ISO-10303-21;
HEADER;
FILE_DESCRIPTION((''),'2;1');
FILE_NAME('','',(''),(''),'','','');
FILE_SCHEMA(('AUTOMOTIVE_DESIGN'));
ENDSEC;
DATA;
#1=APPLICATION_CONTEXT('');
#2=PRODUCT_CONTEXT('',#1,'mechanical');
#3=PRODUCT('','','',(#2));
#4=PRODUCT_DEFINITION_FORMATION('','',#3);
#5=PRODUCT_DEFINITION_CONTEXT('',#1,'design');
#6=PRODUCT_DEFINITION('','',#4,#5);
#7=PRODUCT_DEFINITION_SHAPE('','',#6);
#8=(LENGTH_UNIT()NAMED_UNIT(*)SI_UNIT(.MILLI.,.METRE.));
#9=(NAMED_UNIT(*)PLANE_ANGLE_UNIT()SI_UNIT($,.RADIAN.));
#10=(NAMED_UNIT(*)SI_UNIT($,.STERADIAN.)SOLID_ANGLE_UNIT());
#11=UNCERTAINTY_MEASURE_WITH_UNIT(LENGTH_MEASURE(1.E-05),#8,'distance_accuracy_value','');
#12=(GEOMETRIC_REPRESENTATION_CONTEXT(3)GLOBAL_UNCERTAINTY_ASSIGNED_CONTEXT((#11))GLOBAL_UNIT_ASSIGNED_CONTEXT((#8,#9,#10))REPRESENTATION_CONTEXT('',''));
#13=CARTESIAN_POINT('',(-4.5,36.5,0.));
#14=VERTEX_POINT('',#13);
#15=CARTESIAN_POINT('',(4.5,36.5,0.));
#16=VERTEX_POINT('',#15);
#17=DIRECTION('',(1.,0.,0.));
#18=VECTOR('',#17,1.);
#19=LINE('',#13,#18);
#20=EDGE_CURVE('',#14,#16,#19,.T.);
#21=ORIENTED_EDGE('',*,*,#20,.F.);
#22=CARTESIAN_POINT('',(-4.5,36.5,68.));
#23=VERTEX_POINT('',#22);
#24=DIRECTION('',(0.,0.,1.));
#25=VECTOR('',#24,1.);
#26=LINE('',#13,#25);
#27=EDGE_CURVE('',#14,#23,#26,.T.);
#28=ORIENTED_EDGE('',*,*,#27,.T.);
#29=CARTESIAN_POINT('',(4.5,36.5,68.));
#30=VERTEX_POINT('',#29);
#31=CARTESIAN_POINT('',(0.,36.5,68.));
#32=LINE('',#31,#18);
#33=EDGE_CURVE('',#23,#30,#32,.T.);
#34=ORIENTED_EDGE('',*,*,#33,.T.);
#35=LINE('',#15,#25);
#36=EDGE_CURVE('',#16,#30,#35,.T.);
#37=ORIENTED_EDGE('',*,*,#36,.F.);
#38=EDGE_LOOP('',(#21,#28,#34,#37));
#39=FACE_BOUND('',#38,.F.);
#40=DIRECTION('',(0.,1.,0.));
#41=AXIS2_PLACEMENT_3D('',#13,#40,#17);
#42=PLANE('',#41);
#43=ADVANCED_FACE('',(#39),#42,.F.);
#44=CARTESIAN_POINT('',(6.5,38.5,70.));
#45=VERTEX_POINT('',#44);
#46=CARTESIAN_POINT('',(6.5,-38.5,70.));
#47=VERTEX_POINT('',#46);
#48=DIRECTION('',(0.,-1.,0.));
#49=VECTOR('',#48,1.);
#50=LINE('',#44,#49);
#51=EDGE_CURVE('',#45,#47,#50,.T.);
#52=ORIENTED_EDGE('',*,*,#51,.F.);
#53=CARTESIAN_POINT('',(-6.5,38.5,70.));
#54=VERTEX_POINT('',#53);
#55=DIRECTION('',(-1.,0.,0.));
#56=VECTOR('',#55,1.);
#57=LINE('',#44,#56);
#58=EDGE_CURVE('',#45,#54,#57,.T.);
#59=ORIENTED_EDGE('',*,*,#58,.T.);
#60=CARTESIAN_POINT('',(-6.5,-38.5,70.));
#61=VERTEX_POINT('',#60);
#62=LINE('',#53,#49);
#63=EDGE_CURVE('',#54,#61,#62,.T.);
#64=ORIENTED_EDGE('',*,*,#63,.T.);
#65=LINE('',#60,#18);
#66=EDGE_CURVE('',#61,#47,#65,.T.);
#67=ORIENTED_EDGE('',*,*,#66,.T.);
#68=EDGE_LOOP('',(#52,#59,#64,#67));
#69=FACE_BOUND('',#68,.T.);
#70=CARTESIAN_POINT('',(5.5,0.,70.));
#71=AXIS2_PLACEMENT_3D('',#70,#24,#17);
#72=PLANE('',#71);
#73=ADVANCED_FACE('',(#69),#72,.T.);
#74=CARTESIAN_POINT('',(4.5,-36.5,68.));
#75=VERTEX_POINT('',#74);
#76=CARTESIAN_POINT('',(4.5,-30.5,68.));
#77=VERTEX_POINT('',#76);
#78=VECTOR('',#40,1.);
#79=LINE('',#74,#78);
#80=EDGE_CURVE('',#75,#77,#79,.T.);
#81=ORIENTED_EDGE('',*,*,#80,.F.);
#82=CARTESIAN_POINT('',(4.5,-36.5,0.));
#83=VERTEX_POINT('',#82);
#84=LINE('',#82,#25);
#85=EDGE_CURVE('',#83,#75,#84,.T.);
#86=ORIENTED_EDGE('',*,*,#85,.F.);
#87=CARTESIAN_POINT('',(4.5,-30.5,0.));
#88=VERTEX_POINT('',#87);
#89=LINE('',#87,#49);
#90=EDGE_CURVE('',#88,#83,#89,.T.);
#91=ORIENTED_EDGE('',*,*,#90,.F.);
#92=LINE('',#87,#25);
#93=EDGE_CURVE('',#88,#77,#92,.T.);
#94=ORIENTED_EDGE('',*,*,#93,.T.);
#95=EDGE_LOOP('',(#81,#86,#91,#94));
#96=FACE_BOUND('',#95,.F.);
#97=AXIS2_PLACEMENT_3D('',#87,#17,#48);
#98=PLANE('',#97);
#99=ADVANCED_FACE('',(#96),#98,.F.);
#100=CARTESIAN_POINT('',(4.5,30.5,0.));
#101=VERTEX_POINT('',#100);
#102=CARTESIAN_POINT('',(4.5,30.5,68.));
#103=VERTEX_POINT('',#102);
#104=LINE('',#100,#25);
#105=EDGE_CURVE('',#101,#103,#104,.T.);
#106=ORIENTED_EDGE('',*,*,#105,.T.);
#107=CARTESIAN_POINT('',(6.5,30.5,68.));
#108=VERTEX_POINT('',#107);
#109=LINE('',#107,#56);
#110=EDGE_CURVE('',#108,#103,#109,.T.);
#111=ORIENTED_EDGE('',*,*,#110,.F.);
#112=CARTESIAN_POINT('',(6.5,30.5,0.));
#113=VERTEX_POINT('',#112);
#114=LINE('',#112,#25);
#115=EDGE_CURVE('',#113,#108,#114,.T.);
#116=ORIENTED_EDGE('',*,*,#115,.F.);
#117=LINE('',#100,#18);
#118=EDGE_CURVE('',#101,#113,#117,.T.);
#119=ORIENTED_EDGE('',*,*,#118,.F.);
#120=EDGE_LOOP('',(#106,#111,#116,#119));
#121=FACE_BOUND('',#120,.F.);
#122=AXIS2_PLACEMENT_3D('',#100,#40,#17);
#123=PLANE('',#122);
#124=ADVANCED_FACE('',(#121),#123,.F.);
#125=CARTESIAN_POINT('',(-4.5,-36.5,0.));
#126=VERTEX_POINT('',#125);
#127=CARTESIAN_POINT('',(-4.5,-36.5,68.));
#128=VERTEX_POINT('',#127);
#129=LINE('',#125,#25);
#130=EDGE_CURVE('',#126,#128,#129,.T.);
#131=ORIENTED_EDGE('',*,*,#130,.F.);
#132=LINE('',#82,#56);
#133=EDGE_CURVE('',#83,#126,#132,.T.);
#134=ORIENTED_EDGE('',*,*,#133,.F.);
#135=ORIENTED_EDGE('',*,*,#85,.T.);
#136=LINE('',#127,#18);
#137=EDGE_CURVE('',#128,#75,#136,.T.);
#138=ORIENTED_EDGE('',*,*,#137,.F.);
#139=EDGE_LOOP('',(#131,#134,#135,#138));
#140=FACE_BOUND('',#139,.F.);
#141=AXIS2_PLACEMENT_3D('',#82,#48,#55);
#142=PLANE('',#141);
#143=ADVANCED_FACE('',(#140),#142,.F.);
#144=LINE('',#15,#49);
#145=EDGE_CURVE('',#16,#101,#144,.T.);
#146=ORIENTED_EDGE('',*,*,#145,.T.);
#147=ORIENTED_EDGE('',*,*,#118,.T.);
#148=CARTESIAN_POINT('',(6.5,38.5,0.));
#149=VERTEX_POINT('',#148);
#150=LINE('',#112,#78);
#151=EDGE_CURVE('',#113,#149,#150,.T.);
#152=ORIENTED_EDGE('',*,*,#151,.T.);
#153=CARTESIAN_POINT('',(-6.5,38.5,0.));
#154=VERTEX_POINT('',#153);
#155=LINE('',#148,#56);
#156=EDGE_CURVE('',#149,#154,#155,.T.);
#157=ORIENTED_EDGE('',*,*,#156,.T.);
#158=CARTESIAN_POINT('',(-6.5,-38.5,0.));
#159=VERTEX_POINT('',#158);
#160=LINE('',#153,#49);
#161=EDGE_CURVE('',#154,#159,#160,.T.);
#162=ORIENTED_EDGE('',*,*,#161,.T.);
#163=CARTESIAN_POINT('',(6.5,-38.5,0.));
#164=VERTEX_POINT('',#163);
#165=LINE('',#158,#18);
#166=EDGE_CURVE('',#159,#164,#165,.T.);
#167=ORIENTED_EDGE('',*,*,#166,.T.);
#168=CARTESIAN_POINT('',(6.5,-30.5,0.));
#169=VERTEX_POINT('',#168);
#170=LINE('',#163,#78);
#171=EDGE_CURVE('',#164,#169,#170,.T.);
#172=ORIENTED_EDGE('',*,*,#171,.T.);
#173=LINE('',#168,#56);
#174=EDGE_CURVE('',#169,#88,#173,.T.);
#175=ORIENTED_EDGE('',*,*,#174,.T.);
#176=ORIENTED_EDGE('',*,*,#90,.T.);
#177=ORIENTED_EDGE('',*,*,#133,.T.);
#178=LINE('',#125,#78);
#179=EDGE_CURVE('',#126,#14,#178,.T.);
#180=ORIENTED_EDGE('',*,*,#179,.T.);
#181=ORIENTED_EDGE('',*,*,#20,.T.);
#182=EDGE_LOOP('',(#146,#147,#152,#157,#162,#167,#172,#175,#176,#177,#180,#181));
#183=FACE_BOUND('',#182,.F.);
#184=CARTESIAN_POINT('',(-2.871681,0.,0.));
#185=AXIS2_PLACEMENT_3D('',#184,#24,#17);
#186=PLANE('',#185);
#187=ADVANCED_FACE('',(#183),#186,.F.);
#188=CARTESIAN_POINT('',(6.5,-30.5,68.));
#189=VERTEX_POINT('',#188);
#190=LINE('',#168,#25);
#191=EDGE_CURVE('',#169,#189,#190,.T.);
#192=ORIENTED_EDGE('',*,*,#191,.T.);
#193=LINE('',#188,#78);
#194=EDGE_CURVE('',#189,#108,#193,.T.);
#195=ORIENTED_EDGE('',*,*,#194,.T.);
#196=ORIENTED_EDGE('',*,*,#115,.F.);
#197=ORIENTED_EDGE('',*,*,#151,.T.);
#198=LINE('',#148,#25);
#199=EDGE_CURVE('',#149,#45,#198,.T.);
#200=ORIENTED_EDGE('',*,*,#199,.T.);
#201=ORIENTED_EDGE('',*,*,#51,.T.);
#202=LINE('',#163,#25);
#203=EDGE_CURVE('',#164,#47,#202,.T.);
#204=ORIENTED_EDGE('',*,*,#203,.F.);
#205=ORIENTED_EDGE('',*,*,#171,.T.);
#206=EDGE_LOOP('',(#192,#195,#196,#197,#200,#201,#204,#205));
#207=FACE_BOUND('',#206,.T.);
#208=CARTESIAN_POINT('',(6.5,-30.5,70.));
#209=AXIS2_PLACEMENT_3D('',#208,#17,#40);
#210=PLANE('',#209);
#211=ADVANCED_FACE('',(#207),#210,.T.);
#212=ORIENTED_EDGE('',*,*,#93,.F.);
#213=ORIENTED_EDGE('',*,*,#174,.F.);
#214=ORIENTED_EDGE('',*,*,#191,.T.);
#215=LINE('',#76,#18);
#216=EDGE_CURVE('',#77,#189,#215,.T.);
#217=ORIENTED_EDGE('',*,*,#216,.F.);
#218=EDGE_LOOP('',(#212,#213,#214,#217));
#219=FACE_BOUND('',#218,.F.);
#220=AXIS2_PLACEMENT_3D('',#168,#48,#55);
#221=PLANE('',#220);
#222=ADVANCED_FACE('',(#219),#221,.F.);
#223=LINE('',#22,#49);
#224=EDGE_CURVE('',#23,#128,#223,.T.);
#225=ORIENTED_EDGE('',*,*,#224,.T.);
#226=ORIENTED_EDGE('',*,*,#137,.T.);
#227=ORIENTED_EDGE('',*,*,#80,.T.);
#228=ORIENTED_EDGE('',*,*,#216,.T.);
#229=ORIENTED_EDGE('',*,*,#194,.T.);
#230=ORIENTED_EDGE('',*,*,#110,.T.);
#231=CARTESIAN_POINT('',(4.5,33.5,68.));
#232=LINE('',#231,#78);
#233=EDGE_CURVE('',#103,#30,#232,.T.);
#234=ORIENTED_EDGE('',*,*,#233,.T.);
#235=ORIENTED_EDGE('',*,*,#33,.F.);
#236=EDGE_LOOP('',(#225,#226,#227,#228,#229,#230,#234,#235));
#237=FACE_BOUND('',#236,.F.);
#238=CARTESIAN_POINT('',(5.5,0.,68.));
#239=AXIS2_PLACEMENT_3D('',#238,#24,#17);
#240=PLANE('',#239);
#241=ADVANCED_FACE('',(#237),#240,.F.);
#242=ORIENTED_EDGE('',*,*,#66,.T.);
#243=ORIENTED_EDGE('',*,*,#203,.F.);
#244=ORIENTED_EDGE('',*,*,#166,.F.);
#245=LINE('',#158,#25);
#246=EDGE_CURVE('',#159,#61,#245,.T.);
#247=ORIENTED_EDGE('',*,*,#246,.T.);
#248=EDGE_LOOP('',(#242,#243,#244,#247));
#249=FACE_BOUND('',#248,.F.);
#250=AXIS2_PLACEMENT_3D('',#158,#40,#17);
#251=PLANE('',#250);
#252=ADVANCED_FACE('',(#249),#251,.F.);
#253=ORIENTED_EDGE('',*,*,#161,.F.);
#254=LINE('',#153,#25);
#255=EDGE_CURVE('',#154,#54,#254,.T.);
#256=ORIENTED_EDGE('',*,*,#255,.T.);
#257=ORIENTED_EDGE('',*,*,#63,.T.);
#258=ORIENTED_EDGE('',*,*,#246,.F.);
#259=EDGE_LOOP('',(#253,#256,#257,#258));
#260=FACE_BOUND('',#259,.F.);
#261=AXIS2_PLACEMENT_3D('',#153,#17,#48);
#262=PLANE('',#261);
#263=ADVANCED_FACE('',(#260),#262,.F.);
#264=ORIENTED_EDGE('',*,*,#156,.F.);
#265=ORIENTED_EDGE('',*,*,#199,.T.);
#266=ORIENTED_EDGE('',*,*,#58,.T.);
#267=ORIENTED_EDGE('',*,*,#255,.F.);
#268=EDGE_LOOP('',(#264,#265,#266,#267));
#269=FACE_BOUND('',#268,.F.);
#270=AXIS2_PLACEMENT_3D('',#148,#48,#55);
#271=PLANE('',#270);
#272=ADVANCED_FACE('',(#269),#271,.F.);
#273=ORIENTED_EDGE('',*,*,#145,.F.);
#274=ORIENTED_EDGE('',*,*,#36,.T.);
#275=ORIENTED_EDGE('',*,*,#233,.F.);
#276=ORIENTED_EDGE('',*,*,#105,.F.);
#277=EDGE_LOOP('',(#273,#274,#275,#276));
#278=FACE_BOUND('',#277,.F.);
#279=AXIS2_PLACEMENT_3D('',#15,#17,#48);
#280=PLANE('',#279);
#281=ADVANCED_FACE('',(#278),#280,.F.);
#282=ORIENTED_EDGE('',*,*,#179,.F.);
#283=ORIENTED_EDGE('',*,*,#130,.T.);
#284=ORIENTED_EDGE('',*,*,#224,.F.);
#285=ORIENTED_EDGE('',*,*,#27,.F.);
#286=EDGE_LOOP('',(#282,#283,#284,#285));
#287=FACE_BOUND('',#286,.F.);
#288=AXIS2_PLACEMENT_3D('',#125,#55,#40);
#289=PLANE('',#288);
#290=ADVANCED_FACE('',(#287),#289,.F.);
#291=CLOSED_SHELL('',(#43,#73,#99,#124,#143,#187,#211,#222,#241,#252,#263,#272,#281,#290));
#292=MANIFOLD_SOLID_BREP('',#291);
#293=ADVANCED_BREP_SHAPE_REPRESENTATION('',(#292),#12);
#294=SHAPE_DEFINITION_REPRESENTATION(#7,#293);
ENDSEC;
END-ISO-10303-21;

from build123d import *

# Parameters (mm, degrees)
F1_DEPTH = 70
F2_W     = 9
F2_H     = 13.0287126005
F2_H_2   = 6
F3_DEPTH = 2


with BuildPart() as f1:
    # F0 (on Top) → F1 (new body)
    with BuildSketch(Plane.XY):
        Polygon((-4.5, -36.5), (-4.5, 36.5), (4.5, 36.5), (4.5, 30.5), (6.5, 30.5), (6.5, 38.5), (-6.5, 38.5), (-6.5, -38.5), (6.5, -38.5), (6.5, -30.5), (4.5, -30.5), (4.5, -36.5), align=None)
    extrude(amount=F1_DEPTH)

    # F2 (on face) → F3 (join)
    with BuildSketch(Plane.XY.offset(70)):
        Polygon((6.5, -30.5), (6.5, 30.5), (4.5, 30.5), (4.5, 17.4712873995), (4.5, -30.5), align=None)
        with Locations((0, 23.9856436998)):
            Rectangle(F2_W, F2_H)
        with Locations((0, 33.5)):
            Rectangle(F2_W, F2_H_2)
        Polygon((4.5, -36.5), (4.5, -30.5), (4.5, 17.4712873995), (-4.5, 17.4712873995), (-4.5, -36.5), align=None)
    extrude(amount=-F3_DEPTH)


solid = f1.part
